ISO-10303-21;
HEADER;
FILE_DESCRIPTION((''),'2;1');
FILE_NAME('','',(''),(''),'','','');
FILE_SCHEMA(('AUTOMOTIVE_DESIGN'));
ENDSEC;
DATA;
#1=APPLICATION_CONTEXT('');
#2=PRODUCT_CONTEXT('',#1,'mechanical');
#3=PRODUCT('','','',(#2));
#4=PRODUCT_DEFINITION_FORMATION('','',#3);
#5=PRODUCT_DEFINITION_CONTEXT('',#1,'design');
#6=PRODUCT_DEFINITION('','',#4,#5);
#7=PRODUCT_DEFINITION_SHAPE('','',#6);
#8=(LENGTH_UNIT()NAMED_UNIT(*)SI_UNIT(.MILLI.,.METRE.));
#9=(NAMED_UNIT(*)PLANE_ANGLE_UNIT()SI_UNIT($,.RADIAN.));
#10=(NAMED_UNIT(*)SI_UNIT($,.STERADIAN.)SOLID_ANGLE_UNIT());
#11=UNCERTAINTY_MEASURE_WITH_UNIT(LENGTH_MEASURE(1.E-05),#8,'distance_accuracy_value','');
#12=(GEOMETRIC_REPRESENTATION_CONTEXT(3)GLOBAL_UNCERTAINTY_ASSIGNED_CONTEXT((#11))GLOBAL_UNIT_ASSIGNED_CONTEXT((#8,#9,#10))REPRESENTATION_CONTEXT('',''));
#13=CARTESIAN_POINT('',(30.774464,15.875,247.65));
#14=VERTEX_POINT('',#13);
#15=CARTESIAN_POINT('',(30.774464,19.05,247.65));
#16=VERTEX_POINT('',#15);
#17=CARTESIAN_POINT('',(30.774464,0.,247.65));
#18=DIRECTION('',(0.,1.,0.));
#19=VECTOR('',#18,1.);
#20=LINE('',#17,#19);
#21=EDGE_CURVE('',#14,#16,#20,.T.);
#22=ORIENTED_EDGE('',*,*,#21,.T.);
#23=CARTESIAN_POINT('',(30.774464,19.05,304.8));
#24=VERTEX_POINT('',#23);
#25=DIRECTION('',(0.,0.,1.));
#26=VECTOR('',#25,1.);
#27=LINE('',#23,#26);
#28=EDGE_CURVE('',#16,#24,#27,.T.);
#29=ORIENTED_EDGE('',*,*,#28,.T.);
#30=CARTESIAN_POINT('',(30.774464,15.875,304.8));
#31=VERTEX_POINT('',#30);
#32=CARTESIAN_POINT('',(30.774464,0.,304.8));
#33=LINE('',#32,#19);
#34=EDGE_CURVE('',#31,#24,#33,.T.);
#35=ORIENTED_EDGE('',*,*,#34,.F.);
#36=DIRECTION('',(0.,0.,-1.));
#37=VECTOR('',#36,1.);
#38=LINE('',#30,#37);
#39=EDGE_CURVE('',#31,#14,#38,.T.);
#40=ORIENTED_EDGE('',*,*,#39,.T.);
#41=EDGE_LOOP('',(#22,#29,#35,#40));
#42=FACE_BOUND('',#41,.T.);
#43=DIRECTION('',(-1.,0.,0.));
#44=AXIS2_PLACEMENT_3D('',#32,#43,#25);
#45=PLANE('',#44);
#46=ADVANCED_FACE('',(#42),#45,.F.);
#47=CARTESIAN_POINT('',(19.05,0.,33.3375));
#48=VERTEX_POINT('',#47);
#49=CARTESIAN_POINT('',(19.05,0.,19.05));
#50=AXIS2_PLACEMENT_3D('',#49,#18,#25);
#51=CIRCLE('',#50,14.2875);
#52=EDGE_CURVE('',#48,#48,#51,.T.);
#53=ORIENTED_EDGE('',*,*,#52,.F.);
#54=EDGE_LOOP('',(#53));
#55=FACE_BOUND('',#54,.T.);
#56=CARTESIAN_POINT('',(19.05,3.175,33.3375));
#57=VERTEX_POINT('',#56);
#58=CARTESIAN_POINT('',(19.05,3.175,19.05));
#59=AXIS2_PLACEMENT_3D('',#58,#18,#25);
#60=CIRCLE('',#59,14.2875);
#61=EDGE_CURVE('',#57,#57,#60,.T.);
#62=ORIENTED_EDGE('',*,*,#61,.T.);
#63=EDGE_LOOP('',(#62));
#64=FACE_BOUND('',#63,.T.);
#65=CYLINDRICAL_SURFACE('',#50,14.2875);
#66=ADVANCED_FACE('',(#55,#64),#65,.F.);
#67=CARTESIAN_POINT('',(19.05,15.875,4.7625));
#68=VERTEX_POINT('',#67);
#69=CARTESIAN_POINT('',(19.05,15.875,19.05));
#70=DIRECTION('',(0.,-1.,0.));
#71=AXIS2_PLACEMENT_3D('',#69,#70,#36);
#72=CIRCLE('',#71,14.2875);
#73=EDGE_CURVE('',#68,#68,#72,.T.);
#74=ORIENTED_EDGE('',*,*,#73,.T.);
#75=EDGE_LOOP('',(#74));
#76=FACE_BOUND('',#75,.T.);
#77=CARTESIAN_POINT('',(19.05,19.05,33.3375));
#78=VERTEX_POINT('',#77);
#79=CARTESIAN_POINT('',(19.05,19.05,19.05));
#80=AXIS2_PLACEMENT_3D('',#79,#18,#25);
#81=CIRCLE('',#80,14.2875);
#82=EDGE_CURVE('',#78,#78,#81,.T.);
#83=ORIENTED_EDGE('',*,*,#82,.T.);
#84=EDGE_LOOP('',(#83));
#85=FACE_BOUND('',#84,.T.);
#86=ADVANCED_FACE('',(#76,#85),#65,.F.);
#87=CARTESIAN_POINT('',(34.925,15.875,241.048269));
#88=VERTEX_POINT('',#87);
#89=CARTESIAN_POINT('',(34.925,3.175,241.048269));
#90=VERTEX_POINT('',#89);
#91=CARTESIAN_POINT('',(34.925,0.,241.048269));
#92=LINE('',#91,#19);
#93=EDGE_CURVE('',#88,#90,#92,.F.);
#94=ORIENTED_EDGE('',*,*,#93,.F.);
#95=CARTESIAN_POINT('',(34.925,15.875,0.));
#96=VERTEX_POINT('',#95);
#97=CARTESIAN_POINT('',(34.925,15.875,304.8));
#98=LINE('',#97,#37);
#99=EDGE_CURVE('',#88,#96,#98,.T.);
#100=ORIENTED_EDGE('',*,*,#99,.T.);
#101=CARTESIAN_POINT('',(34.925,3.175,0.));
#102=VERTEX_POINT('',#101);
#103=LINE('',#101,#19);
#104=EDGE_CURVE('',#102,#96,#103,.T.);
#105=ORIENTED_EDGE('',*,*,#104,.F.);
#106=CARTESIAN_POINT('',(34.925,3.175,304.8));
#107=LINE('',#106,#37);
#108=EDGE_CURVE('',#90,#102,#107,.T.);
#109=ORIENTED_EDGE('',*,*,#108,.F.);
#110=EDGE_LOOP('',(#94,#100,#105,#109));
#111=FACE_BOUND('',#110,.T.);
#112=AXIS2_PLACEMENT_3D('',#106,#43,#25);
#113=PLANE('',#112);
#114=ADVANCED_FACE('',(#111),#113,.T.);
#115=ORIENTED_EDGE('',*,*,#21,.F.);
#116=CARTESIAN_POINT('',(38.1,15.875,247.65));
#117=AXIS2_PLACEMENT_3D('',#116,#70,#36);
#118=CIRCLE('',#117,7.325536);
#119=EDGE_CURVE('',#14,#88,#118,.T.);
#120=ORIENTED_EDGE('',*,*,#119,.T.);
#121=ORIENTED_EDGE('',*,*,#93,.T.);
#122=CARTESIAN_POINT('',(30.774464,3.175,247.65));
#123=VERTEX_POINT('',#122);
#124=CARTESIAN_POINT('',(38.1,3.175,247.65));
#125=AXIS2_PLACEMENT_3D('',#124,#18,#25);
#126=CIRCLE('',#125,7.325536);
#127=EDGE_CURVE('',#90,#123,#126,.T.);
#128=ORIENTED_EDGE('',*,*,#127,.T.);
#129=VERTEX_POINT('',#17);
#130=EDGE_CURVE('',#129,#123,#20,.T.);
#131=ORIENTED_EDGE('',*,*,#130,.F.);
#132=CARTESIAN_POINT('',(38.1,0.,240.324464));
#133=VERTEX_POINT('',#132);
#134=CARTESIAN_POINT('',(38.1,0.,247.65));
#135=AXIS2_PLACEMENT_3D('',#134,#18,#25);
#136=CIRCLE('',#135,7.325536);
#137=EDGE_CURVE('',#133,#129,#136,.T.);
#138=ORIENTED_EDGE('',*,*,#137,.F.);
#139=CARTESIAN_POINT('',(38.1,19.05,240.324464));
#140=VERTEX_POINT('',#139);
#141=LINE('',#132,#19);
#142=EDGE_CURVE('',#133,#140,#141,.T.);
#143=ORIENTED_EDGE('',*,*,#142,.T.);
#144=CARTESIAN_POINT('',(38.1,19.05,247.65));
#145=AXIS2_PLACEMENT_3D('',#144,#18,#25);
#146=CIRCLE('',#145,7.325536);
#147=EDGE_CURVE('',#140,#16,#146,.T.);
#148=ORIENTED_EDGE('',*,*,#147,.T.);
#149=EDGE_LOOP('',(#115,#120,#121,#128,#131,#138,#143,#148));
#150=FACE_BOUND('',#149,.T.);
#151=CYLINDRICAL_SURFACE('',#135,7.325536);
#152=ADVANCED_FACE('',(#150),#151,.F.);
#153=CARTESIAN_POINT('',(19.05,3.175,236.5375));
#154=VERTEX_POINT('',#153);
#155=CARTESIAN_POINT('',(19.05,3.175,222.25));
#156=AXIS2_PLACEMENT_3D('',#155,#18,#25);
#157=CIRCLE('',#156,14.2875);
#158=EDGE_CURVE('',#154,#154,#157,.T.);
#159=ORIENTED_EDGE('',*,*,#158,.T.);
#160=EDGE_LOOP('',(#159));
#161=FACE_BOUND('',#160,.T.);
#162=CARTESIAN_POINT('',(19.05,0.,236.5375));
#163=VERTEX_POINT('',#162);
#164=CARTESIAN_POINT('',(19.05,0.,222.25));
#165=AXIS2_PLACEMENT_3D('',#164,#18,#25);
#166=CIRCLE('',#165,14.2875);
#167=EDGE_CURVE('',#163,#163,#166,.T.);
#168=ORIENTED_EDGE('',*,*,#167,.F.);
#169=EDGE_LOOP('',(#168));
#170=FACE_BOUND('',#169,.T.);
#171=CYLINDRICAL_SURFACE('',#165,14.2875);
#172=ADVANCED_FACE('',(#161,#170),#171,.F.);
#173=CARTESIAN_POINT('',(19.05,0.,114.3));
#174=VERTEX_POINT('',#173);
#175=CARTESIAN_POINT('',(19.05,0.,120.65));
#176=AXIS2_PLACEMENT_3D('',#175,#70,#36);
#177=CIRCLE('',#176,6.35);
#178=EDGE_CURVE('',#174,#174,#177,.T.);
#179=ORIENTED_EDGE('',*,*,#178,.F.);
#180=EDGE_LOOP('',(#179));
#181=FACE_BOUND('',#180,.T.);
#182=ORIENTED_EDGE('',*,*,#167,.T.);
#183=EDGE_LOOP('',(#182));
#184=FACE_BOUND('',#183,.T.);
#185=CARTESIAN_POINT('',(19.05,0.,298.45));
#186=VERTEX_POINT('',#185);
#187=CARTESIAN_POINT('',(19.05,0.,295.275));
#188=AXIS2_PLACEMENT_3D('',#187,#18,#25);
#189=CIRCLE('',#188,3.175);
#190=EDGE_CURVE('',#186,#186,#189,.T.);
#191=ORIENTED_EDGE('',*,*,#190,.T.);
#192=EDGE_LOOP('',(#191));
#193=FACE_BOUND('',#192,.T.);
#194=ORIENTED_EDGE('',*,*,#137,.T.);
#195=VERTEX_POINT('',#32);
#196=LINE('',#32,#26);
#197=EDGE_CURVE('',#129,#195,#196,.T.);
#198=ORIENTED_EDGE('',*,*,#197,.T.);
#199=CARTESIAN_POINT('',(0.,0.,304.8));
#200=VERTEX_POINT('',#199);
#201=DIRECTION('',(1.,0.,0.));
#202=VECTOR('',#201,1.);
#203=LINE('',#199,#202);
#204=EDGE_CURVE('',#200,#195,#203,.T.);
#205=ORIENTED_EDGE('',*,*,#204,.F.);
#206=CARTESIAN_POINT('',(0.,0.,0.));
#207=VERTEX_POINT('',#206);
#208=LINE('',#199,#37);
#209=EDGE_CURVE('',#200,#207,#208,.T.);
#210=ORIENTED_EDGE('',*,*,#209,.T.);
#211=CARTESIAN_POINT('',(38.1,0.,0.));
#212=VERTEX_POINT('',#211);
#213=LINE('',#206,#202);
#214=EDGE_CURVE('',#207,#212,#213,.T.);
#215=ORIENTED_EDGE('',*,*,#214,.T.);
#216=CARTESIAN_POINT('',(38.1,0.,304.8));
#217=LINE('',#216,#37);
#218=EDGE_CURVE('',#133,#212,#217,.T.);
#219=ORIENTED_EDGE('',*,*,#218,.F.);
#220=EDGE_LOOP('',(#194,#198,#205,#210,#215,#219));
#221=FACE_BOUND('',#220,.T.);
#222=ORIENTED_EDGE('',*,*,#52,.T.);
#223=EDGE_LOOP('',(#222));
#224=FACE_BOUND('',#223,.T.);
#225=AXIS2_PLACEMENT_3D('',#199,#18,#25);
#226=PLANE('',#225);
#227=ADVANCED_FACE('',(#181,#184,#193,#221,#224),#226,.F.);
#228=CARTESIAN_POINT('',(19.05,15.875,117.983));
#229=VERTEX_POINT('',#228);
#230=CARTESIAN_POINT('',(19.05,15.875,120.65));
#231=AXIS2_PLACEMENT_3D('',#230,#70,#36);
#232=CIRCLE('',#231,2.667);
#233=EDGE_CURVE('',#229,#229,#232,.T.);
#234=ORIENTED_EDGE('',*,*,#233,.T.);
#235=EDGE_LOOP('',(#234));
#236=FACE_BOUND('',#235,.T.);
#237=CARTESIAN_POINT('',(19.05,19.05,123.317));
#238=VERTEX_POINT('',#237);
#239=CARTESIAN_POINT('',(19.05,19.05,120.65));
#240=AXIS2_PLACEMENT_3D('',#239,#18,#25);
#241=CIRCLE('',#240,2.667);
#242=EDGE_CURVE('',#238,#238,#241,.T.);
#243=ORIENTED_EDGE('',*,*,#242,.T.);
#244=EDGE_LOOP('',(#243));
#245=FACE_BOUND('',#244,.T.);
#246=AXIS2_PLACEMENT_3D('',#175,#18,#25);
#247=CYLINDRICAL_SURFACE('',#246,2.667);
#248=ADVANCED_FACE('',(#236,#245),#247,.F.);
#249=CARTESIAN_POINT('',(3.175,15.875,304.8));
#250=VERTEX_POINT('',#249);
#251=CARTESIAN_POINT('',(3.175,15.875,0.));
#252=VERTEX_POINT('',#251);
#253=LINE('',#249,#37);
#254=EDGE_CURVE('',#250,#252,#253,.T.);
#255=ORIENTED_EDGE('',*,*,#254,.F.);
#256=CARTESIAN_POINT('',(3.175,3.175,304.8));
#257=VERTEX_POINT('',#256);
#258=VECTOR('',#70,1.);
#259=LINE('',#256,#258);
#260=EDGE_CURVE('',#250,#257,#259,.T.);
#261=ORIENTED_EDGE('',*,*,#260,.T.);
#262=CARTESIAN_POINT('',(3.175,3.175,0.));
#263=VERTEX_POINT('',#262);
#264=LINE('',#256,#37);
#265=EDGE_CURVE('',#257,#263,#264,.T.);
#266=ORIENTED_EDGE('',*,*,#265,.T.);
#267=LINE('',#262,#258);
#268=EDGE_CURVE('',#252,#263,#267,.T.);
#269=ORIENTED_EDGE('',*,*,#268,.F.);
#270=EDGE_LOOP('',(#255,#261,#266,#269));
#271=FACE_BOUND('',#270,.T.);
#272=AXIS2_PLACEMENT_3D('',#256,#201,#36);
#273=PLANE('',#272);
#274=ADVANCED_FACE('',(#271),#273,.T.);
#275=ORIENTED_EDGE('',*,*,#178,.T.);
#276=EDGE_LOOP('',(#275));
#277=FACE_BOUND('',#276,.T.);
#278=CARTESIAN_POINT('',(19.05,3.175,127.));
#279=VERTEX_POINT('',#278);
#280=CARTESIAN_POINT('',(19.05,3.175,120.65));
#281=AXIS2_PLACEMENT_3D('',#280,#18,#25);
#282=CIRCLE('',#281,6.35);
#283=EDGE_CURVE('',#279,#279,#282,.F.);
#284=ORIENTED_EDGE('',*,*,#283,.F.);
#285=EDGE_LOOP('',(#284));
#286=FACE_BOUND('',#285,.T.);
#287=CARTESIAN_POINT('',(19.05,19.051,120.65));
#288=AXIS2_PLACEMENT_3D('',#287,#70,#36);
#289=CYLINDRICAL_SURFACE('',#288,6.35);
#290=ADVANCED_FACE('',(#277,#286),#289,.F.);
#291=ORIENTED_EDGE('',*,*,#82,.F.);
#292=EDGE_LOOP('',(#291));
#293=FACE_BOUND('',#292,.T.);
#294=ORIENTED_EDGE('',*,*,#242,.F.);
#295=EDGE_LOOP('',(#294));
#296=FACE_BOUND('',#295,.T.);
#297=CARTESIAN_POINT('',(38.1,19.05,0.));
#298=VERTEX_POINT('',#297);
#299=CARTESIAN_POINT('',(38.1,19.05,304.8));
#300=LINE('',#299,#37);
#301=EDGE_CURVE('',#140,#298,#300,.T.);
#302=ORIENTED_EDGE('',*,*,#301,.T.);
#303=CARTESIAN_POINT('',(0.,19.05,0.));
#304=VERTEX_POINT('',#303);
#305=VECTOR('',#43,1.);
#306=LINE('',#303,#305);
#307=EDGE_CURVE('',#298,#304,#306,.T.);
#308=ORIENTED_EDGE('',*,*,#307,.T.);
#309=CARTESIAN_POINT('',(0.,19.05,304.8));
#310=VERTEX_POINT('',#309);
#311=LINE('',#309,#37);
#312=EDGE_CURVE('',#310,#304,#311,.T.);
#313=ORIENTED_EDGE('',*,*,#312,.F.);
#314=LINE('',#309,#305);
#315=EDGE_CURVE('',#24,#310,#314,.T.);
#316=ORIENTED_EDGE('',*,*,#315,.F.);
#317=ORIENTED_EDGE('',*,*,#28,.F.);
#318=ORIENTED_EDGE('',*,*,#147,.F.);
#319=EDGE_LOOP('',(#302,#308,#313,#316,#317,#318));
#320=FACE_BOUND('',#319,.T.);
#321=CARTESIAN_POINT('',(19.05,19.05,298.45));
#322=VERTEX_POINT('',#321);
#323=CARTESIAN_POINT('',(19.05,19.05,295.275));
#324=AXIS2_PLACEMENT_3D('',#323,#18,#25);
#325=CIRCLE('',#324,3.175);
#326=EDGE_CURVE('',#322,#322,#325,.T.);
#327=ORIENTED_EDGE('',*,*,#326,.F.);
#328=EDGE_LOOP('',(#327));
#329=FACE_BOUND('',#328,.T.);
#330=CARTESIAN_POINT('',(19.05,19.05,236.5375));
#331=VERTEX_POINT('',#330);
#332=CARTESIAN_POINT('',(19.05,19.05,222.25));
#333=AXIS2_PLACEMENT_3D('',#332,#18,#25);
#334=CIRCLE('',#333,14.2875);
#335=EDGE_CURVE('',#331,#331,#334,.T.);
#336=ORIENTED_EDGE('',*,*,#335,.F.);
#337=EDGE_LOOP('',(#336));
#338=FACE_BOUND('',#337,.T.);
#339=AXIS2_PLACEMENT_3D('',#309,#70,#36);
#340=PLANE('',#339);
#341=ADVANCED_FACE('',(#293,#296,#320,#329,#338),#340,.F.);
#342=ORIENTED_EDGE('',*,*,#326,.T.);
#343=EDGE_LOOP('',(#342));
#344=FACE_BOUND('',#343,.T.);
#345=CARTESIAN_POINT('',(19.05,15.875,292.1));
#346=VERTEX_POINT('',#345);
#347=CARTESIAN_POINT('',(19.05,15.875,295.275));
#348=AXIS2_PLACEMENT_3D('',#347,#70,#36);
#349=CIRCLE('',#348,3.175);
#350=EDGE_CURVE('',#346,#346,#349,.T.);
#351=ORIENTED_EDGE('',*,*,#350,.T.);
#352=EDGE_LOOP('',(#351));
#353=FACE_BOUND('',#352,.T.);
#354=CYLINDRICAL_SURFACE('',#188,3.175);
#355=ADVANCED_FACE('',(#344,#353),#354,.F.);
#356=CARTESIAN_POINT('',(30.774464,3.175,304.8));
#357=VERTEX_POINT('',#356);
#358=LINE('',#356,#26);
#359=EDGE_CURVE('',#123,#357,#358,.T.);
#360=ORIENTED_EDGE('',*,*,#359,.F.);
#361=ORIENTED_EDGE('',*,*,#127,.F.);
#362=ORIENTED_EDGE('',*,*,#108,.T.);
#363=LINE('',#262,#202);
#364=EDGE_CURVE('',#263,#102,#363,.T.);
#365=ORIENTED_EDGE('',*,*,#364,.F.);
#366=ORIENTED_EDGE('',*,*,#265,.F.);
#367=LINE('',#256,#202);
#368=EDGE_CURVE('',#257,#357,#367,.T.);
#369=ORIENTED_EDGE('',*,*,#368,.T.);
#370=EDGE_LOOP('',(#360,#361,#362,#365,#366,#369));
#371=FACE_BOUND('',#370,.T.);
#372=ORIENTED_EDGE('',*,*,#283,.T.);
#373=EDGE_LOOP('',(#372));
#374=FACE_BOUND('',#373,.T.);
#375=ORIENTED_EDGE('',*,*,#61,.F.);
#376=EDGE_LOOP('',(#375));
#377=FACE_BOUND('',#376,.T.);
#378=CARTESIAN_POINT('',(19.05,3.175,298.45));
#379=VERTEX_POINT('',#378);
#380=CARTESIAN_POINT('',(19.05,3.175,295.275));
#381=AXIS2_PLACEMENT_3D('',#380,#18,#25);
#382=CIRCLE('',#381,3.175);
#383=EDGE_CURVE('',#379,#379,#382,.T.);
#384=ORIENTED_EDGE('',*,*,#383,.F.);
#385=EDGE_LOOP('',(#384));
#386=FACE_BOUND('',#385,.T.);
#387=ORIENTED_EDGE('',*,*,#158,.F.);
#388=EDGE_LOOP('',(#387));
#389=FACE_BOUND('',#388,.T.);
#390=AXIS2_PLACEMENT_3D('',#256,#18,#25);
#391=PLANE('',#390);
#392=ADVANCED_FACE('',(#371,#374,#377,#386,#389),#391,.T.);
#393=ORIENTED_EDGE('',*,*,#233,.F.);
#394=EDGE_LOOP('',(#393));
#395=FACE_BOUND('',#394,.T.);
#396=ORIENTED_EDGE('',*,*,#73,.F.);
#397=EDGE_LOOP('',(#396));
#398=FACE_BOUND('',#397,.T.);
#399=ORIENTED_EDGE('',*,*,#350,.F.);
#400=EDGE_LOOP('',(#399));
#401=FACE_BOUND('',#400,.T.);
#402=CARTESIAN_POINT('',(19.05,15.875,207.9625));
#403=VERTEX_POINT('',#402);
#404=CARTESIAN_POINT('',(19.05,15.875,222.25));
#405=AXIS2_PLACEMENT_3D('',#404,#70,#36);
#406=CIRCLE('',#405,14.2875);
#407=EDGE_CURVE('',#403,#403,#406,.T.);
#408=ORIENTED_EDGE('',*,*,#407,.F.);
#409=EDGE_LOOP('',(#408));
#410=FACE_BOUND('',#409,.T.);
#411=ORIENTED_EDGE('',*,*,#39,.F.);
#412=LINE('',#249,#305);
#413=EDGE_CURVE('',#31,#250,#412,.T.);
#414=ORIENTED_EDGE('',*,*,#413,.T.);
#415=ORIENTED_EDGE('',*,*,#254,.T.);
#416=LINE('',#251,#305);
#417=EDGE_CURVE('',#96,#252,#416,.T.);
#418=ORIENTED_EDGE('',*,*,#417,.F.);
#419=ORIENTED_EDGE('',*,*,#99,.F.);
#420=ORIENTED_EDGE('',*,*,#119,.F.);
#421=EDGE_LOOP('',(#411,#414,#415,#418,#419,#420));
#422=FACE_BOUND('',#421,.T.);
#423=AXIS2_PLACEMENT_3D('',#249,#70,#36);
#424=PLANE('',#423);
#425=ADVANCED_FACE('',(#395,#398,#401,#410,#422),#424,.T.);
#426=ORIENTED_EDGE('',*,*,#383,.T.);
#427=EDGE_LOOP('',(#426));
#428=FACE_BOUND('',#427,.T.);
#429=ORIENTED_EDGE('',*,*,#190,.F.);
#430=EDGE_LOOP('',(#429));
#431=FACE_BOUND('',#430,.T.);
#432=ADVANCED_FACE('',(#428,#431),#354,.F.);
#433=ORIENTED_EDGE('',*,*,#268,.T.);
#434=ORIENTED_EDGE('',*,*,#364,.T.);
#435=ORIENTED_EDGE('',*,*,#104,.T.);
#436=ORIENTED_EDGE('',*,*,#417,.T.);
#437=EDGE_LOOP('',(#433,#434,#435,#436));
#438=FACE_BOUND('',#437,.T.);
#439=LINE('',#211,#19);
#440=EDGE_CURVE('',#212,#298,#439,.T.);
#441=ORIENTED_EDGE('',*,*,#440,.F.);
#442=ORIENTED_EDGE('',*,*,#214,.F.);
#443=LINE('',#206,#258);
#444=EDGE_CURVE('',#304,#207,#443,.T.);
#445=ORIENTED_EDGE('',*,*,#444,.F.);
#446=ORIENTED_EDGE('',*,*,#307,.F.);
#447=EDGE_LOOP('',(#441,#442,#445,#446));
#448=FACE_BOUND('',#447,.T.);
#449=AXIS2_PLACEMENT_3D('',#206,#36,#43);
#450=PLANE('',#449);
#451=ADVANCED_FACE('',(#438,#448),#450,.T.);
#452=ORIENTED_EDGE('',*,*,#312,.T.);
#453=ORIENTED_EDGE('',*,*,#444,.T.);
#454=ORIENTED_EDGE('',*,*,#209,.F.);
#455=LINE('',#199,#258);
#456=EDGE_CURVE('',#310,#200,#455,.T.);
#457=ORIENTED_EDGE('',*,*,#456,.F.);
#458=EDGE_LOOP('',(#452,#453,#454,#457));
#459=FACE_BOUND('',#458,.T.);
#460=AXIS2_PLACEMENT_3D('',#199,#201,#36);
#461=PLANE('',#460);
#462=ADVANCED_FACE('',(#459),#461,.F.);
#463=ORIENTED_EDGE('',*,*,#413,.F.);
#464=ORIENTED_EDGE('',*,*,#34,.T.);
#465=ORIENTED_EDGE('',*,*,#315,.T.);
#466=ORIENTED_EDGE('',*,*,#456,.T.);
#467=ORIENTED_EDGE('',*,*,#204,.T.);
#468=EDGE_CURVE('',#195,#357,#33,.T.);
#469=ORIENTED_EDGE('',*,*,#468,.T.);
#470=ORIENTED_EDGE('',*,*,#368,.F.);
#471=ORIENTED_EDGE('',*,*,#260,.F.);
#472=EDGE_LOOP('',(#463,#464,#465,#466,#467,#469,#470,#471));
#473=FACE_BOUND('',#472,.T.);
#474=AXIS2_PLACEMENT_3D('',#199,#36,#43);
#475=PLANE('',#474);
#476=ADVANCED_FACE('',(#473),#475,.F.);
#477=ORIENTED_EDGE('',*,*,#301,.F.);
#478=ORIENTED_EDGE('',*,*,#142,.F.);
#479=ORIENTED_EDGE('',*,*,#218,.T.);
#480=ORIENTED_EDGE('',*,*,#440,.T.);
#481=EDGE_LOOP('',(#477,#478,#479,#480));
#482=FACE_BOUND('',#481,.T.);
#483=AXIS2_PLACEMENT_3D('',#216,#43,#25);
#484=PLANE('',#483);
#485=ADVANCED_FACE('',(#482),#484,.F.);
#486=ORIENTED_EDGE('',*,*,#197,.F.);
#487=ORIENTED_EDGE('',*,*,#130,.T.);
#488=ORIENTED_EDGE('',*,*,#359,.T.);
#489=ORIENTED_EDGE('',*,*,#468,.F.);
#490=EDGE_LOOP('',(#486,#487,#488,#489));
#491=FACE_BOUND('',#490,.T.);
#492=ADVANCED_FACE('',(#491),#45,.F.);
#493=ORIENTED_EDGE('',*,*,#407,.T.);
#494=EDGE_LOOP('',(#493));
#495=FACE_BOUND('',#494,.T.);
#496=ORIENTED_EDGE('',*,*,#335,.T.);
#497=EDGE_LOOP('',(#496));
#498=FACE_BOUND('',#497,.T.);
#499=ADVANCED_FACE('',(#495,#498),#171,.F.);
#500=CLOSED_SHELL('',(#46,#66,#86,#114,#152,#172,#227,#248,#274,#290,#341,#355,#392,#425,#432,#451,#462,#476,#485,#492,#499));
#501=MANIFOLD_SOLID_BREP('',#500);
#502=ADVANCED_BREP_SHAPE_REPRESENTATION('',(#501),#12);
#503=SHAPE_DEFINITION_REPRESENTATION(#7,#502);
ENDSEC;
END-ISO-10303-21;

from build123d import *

# Parameters (mm, degrees)
SKETCH1_W           = 38.1
SKETCH1_H           = 19.05
SKETCH1_W_2         = 31.75
SKETCH1_H_2         = 12.7
BOSS_EXTRUDE1_DEPTH = 304.8
SKETCH2_R           = 14.2875
CUT_EXTRUDE1_DEPTH  = 20.05
SKETCH3_R           = 3.175
CUT_EXTRUDE2_DEPTH  = 20.05
CUT_EXTRUDE3_DEPTH  = 20.05
SKETCH5_R           = 2.667
CUT_EXTRUDE4_DEPTH  = 20.05
CUT_EXTRUDE5_REACH  = 21.05
SKETCH6_R           = 6.35


with BuildPart() as part:
    # Sketch1 → Boss-Extrude1 (new body)
    with BuildSketch(Plane.XY):
        with Locations((19.05, 9.525)):
            Rectangle(SKETCH1_W, SKETCH1_H)
        with Locations((19.05, 9.525)):
            Rectangle(SKETCH1_W_2, SKETCH1_H_2, mode=Mode.SUBTRACT)
    extrude(amount=BOSS_EXTRUDE1_DEPTH)

    # Sketch2 → Cut-Extrude1 (cut, through all)
    with BuildSketch(Plane(origin=(0, 19.05, 0), x_dir=(1, 0, 0), z_dir=(0, 1, 0))):
        with Locations((19.05, -19.05)):
            Circle(SKETCH2_R)
        with Locations((19.05, -222.25)):
            Circle(SKETCH2_R)
    extrude(amount=-CUT_EXTRUDE1_DEPTH, mode=Mode.SUBTRACT)

    # Sketch3 → Cut-Extrude2 (cut, through all)
    with BuildSketch(Plane(origin=(0, 19.05, 0), x_dir=(1, 0, 0), z_dir=(0, 1, 0))):
        with Locations((19.05, -295.275)):
            Circle(SKETCH3_R)
    extrude(amount=-CUT_EXTRUDE2_DEPTH, mode=Mode.SUBTRACT)

    # Sketch4 → Cut-Extrude3 (cut, through all)
    with BuildSketch(Plane(origin=(0, 19.05, 0), x_dir=(1, 0, 0), z_dir=(0, 1, 0))):
        with BuildLine():
            Line((30.774464213, -304.8), (30.774464213, -247.65))
            ThreePointArc((30.774464213, -247.65), (32.920063969, -242.470063969), (38.1, -240.324464213))
            Line((38.1, -240.324464213), (38.1, -304.8))
            Line((38.1, -304.8), (30.774464213, -304.8))
        make_face()
    extrude(amount=-CUT_EXTRUDE3_DEPTH, mode=Mode.SUBTRACT)

    # Sketch5 → Cut-Extrude4 (cut, through all)
    with BuildSketch(Plane(origin=(0, 19.05, 0), x_dir=(1, 0, 0), z_dir=(0, 1, 0))):
        with Locations((19.05, -120.65)):
            Circle(SKETCH5_R)
    extrude(amount=-CUT_EXTRUDE4_DEPTH, mode=Mode.SUBTRACT)

    # Sketch6 → Cut-Extrude5 (cut, up to next)
    with BuildSketch(Plane.XZ, mode=Mode.PRIVATE) as cut_extrude5_sk1:
        with Locations((19.05, 120.65)):
            Circle(SKETCH6_R)
    cut_extrude5_tool1 = extrude(cut_extrude5_sk1.sketch, amount=-CUT_EXTRUDE5_REACH, mode=Mode.PRIVATE) & part.part
    add(cut_extrude5_tool1.solids().sort_by_distance((19.05, 0, 120.65))[0], mode=Mode.SUBTRACT)


solid = part.part
